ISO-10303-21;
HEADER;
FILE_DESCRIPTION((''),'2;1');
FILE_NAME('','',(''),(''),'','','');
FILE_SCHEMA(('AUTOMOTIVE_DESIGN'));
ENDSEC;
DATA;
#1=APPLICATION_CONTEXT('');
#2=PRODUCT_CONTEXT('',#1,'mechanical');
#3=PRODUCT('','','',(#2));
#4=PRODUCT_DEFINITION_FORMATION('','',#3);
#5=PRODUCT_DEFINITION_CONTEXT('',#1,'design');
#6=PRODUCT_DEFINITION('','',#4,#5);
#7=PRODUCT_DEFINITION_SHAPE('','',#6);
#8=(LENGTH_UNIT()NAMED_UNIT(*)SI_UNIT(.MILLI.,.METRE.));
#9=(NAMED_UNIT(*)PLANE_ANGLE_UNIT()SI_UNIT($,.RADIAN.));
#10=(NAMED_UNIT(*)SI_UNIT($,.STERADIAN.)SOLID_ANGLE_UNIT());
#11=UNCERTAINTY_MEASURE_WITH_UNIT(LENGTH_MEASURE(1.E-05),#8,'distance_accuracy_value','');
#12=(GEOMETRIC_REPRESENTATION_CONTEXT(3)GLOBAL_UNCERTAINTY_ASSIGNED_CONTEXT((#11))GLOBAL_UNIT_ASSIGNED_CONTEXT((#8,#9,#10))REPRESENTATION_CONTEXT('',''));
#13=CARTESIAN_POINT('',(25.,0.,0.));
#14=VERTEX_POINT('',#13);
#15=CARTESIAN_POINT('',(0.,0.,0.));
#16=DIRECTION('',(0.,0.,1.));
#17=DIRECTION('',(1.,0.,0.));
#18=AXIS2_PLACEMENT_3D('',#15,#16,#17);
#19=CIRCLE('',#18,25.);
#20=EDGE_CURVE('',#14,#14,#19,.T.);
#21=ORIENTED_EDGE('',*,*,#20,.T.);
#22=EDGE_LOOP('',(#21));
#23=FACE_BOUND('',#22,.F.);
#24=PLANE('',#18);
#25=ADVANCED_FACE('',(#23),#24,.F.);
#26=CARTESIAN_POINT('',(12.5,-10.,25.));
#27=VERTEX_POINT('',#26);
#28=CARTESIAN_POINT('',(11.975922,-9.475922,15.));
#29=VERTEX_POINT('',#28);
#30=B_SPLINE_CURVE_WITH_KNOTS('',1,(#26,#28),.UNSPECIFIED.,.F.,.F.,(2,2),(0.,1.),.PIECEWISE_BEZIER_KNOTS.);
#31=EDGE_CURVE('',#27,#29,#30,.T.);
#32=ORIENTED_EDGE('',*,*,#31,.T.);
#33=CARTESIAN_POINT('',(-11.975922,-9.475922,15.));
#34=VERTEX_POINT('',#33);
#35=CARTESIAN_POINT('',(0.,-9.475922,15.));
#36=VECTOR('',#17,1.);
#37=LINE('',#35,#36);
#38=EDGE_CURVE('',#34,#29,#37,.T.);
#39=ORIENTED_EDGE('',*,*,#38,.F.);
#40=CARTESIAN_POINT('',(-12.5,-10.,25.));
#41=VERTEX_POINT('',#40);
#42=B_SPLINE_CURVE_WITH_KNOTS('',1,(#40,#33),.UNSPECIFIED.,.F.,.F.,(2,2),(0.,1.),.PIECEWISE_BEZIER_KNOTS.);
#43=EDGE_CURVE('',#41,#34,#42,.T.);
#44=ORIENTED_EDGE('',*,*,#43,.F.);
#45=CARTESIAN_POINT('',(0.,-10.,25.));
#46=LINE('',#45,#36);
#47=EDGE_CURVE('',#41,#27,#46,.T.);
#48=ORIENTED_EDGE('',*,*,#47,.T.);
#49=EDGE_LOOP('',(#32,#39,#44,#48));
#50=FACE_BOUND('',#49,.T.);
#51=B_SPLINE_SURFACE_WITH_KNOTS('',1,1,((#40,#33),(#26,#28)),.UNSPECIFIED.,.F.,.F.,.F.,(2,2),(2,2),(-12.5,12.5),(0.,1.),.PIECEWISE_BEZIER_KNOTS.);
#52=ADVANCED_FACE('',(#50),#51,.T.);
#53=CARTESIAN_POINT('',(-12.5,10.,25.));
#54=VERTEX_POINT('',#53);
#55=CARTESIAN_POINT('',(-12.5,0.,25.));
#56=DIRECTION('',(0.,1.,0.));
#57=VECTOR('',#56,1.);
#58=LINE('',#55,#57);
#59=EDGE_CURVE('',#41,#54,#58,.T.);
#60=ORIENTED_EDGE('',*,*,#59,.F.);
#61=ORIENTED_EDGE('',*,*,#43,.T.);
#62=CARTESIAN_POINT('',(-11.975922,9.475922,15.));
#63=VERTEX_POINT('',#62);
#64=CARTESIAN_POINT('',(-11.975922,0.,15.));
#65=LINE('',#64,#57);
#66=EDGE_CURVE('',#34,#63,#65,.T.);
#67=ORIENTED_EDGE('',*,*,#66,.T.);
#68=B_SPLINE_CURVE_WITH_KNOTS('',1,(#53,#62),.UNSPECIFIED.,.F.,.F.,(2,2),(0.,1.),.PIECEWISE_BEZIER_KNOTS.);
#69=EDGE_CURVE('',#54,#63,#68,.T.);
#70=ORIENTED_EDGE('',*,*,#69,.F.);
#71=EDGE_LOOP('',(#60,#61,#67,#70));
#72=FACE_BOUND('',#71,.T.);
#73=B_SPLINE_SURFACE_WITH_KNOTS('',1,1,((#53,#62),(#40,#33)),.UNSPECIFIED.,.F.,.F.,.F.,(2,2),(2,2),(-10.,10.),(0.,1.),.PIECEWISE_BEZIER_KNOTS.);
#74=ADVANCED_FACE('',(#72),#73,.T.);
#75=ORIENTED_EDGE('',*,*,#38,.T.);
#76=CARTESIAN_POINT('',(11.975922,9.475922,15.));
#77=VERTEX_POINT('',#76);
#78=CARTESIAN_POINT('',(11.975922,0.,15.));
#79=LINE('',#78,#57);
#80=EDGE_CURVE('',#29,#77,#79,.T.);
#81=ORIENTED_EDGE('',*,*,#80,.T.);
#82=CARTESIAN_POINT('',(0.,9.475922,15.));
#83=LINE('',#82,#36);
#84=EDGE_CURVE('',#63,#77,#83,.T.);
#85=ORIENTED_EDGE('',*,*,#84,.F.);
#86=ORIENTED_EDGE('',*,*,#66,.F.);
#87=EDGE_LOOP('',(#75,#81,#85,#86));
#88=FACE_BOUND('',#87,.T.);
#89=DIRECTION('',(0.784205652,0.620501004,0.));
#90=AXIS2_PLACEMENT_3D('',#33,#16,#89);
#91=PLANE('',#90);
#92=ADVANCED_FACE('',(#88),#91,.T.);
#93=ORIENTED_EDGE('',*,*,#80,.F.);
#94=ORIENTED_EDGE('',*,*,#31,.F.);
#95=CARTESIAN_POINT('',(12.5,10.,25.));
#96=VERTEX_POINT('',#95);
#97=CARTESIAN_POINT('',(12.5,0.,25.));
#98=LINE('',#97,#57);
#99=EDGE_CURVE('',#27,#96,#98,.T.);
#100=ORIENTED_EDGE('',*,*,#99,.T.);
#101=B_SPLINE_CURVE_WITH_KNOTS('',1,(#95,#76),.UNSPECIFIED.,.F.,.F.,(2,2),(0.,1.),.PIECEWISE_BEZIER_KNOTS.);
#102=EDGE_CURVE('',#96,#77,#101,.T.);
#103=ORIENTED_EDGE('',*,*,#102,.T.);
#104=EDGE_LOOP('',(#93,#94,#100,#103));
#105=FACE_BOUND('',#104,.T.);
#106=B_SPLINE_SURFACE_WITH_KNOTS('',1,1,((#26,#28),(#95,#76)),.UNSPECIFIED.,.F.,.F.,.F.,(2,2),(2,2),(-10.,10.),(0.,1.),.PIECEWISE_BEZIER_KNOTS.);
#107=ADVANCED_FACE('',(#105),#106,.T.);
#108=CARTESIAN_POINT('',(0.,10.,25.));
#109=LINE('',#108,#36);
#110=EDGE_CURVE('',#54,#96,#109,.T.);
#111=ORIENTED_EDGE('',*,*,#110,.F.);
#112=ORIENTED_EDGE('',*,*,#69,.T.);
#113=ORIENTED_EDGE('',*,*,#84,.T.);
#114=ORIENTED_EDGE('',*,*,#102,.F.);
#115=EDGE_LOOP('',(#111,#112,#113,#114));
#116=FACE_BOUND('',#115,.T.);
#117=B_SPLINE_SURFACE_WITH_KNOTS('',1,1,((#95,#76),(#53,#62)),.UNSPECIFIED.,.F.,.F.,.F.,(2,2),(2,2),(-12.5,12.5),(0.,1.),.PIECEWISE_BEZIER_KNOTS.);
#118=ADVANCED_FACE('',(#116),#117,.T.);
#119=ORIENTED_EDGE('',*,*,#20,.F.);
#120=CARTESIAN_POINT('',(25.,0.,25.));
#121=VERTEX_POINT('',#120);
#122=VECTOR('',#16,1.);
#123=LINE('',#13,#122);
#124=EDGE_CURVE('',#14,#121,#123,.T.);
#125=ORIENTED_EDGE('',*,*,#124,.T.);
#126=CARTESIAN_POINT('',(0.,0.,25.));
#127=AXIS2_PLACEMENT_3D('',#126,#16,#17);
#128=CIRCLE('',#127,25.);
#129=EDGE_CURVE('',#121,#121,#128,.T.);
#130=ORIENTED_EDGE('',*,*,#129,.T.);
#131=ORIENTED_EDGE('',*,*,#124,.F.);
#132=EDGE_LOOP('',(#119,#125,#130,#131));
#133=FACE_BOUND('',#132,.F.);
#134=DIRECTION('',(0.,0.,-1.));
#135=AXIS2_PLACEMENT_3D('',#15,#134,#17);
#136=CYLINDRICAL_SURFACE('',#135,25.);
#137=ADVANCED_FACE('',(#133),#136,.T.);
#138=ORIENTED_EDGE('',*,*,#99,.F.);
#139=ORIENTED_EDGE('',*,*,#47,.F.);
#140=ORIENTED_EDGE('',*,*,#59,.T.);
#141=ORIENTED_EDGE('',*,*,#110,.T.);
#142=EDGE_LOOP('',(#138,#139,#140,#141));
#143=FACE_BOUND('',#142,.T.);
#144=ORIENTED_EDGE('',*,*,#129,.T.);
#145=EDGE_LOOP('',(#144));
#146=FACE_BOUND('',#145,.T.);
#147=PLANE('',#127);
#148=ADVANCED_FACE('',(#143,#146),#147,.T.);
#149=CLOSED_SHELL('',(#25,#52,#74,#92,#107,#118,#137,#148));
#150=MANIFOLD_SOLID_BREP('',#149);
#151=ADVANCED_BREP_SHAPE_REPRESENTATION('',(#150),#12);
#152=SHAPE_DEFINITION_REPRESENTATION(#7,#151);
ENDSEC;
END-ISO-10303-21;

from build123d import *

# Parameters (mm, degrees)
F0_R     = 25
F1_DEPTH = 25
F2_W     = 25
F2_H     = 20
F3_DEPTH = 10
F3_TAPER = 3


with BuildPart() as f1:
    # F0 (on Top) → F1 (new body)
    with BuildSketch(Plane.XY):
        Circle(F0_R)
    extrude(amount=F1_DEPTH)

    # F2 (on face) → F3 (cut)
    with BuildSketch(Plane.XY.offset(25)):
        Rectangle(F2_W, F2_H)
    extrude(amount=-F3_DEPTH, taper=F3_TAPER, mode=Mode.SUBTRACT)


solid = f1.part
